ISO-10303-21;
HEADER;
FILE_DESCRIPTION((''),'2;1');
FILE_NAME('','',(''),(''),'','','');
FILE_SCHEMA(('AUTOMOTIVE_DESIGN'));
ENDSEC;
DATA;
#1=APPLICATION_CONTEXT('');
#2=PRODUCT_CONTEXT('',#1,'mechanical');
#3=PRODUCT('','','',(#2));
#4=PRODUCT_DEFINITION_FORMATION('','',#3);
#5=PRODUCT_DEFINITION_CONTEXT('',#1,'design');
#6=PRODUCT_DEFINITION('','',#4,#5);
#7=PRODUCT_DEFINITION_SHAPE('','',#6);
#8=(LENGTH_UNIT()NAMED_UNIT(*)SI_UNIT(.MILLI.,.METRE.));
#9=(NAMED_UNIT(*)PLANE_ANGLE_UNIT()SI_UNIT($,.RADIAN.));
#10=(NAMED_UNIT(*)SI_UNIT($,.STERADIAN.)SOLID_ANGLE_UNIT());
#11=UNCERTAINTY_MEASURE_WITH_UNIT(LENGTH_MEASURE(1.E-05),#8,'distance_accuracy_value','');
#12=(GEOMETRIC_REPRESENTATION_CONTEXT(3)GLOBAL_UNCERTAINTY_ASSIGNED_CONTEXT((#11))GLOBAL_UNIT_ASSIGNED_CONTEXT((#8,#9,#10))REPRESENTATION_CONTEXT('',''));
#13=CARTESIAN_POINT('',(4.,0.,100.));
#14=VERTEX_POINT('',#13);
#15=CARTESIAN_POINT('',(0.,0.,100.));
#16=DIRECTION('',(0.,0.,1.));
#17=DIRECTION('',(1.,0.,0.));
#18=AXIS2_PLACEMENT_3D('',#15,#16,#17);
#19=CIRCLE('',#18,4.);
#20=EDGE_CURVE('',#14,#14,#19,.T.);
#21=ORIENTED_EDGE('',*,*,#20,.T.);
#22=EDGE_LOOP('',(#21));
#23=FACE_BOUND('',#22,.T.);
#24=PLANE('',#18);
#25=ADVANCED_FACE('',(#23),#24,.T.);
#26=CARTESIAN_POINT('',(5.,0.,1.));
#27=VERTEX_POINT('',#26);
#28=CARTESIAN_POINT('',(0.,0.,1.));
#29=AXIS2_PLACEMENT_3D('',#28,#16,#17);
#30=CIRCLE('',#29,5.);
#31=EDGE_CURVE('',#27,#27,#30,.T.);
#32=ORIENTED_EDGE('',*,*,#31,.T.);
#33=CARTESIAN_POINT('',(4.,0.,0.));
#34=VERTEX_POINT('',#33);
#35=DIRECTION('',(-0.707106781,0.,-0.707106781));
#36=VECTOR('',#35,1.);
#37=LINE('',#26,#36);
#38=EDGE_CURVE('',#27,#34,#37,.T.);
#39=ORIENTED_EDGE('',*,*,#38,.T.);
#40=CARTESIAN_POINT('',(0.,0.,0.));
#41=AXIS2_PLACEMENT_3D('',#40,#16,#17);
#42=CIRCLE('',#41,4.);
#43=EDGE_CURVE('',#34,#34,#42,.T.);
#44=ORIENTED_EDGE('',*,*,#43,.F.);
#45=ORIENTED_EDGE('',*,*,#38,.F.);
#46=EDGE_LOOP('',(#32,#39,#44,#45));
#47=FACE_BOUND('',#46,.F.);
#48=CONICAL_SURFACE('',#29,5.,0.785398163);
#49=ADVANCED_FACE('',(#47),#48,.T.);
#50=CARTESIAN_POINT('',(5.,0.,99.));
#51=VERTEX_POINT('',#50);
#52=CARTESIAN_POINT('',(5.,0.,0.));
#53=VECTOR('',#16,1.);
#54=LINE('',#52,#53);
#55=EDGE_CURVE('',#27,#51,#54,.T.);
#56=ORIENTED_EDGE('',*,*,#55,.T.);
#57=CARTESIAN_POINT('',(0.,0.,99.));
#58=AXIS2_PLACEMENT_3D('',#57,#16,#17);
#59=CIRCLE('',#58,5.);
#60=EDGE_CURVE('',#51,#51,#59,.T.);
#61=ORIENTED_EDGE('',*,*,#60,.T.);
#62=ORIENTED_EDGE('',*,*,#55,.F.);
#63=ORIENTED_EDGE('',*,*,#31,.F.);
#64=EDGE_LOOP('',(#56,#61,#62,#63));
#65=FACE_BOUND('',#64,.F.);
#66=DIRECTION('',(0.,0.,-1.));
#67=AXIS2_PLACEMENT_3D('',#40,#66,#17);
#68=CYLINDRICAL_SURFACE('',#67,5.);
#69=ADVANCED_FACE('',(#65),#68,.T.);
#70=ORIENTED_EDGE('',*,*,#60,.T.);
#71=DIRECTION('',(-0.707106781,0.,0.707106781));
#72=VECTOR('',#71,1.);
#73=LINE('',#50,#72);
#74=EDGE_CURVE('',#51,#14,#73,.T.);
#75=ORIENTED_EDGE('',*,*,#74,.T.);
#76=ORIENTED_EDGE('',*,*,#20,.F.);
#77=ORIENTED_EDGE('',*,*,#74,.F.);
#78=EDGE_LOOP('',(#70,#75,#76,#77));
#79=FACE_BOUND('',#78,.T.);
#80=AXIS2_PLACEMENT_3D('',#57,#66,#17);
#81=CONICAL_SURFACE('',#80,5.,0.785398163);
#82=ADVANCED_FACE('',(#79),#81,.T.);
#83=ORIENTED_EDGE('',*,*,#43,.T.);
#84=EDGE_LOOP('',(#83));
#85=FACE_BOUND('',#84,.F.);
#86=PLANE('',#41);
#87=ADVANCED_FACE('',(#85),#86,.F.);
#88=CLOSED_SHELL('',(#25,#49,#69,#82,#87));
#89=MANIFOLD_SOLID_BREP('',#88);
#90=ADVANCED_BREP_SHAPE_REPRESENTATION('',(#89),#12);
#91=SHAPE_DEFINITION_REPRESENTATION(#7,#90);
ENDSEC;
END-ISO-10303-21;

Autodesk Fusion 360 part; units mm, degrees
sketch "Boceto1" plane through (0, 0, 0) normal (0, 0, 1) x (1, 0, 0)
  circle A0 centre (0, 0) radius 5
  dimension "d1" = 10
extrude "Extruir1" add sketch "Boceto1" along normal blind 100
chamfer "Chaflán1" distance 1 angle 45 2 edges at (-4.6616, -1.8081, 100) (-4.6616, -1.8081, 0)
